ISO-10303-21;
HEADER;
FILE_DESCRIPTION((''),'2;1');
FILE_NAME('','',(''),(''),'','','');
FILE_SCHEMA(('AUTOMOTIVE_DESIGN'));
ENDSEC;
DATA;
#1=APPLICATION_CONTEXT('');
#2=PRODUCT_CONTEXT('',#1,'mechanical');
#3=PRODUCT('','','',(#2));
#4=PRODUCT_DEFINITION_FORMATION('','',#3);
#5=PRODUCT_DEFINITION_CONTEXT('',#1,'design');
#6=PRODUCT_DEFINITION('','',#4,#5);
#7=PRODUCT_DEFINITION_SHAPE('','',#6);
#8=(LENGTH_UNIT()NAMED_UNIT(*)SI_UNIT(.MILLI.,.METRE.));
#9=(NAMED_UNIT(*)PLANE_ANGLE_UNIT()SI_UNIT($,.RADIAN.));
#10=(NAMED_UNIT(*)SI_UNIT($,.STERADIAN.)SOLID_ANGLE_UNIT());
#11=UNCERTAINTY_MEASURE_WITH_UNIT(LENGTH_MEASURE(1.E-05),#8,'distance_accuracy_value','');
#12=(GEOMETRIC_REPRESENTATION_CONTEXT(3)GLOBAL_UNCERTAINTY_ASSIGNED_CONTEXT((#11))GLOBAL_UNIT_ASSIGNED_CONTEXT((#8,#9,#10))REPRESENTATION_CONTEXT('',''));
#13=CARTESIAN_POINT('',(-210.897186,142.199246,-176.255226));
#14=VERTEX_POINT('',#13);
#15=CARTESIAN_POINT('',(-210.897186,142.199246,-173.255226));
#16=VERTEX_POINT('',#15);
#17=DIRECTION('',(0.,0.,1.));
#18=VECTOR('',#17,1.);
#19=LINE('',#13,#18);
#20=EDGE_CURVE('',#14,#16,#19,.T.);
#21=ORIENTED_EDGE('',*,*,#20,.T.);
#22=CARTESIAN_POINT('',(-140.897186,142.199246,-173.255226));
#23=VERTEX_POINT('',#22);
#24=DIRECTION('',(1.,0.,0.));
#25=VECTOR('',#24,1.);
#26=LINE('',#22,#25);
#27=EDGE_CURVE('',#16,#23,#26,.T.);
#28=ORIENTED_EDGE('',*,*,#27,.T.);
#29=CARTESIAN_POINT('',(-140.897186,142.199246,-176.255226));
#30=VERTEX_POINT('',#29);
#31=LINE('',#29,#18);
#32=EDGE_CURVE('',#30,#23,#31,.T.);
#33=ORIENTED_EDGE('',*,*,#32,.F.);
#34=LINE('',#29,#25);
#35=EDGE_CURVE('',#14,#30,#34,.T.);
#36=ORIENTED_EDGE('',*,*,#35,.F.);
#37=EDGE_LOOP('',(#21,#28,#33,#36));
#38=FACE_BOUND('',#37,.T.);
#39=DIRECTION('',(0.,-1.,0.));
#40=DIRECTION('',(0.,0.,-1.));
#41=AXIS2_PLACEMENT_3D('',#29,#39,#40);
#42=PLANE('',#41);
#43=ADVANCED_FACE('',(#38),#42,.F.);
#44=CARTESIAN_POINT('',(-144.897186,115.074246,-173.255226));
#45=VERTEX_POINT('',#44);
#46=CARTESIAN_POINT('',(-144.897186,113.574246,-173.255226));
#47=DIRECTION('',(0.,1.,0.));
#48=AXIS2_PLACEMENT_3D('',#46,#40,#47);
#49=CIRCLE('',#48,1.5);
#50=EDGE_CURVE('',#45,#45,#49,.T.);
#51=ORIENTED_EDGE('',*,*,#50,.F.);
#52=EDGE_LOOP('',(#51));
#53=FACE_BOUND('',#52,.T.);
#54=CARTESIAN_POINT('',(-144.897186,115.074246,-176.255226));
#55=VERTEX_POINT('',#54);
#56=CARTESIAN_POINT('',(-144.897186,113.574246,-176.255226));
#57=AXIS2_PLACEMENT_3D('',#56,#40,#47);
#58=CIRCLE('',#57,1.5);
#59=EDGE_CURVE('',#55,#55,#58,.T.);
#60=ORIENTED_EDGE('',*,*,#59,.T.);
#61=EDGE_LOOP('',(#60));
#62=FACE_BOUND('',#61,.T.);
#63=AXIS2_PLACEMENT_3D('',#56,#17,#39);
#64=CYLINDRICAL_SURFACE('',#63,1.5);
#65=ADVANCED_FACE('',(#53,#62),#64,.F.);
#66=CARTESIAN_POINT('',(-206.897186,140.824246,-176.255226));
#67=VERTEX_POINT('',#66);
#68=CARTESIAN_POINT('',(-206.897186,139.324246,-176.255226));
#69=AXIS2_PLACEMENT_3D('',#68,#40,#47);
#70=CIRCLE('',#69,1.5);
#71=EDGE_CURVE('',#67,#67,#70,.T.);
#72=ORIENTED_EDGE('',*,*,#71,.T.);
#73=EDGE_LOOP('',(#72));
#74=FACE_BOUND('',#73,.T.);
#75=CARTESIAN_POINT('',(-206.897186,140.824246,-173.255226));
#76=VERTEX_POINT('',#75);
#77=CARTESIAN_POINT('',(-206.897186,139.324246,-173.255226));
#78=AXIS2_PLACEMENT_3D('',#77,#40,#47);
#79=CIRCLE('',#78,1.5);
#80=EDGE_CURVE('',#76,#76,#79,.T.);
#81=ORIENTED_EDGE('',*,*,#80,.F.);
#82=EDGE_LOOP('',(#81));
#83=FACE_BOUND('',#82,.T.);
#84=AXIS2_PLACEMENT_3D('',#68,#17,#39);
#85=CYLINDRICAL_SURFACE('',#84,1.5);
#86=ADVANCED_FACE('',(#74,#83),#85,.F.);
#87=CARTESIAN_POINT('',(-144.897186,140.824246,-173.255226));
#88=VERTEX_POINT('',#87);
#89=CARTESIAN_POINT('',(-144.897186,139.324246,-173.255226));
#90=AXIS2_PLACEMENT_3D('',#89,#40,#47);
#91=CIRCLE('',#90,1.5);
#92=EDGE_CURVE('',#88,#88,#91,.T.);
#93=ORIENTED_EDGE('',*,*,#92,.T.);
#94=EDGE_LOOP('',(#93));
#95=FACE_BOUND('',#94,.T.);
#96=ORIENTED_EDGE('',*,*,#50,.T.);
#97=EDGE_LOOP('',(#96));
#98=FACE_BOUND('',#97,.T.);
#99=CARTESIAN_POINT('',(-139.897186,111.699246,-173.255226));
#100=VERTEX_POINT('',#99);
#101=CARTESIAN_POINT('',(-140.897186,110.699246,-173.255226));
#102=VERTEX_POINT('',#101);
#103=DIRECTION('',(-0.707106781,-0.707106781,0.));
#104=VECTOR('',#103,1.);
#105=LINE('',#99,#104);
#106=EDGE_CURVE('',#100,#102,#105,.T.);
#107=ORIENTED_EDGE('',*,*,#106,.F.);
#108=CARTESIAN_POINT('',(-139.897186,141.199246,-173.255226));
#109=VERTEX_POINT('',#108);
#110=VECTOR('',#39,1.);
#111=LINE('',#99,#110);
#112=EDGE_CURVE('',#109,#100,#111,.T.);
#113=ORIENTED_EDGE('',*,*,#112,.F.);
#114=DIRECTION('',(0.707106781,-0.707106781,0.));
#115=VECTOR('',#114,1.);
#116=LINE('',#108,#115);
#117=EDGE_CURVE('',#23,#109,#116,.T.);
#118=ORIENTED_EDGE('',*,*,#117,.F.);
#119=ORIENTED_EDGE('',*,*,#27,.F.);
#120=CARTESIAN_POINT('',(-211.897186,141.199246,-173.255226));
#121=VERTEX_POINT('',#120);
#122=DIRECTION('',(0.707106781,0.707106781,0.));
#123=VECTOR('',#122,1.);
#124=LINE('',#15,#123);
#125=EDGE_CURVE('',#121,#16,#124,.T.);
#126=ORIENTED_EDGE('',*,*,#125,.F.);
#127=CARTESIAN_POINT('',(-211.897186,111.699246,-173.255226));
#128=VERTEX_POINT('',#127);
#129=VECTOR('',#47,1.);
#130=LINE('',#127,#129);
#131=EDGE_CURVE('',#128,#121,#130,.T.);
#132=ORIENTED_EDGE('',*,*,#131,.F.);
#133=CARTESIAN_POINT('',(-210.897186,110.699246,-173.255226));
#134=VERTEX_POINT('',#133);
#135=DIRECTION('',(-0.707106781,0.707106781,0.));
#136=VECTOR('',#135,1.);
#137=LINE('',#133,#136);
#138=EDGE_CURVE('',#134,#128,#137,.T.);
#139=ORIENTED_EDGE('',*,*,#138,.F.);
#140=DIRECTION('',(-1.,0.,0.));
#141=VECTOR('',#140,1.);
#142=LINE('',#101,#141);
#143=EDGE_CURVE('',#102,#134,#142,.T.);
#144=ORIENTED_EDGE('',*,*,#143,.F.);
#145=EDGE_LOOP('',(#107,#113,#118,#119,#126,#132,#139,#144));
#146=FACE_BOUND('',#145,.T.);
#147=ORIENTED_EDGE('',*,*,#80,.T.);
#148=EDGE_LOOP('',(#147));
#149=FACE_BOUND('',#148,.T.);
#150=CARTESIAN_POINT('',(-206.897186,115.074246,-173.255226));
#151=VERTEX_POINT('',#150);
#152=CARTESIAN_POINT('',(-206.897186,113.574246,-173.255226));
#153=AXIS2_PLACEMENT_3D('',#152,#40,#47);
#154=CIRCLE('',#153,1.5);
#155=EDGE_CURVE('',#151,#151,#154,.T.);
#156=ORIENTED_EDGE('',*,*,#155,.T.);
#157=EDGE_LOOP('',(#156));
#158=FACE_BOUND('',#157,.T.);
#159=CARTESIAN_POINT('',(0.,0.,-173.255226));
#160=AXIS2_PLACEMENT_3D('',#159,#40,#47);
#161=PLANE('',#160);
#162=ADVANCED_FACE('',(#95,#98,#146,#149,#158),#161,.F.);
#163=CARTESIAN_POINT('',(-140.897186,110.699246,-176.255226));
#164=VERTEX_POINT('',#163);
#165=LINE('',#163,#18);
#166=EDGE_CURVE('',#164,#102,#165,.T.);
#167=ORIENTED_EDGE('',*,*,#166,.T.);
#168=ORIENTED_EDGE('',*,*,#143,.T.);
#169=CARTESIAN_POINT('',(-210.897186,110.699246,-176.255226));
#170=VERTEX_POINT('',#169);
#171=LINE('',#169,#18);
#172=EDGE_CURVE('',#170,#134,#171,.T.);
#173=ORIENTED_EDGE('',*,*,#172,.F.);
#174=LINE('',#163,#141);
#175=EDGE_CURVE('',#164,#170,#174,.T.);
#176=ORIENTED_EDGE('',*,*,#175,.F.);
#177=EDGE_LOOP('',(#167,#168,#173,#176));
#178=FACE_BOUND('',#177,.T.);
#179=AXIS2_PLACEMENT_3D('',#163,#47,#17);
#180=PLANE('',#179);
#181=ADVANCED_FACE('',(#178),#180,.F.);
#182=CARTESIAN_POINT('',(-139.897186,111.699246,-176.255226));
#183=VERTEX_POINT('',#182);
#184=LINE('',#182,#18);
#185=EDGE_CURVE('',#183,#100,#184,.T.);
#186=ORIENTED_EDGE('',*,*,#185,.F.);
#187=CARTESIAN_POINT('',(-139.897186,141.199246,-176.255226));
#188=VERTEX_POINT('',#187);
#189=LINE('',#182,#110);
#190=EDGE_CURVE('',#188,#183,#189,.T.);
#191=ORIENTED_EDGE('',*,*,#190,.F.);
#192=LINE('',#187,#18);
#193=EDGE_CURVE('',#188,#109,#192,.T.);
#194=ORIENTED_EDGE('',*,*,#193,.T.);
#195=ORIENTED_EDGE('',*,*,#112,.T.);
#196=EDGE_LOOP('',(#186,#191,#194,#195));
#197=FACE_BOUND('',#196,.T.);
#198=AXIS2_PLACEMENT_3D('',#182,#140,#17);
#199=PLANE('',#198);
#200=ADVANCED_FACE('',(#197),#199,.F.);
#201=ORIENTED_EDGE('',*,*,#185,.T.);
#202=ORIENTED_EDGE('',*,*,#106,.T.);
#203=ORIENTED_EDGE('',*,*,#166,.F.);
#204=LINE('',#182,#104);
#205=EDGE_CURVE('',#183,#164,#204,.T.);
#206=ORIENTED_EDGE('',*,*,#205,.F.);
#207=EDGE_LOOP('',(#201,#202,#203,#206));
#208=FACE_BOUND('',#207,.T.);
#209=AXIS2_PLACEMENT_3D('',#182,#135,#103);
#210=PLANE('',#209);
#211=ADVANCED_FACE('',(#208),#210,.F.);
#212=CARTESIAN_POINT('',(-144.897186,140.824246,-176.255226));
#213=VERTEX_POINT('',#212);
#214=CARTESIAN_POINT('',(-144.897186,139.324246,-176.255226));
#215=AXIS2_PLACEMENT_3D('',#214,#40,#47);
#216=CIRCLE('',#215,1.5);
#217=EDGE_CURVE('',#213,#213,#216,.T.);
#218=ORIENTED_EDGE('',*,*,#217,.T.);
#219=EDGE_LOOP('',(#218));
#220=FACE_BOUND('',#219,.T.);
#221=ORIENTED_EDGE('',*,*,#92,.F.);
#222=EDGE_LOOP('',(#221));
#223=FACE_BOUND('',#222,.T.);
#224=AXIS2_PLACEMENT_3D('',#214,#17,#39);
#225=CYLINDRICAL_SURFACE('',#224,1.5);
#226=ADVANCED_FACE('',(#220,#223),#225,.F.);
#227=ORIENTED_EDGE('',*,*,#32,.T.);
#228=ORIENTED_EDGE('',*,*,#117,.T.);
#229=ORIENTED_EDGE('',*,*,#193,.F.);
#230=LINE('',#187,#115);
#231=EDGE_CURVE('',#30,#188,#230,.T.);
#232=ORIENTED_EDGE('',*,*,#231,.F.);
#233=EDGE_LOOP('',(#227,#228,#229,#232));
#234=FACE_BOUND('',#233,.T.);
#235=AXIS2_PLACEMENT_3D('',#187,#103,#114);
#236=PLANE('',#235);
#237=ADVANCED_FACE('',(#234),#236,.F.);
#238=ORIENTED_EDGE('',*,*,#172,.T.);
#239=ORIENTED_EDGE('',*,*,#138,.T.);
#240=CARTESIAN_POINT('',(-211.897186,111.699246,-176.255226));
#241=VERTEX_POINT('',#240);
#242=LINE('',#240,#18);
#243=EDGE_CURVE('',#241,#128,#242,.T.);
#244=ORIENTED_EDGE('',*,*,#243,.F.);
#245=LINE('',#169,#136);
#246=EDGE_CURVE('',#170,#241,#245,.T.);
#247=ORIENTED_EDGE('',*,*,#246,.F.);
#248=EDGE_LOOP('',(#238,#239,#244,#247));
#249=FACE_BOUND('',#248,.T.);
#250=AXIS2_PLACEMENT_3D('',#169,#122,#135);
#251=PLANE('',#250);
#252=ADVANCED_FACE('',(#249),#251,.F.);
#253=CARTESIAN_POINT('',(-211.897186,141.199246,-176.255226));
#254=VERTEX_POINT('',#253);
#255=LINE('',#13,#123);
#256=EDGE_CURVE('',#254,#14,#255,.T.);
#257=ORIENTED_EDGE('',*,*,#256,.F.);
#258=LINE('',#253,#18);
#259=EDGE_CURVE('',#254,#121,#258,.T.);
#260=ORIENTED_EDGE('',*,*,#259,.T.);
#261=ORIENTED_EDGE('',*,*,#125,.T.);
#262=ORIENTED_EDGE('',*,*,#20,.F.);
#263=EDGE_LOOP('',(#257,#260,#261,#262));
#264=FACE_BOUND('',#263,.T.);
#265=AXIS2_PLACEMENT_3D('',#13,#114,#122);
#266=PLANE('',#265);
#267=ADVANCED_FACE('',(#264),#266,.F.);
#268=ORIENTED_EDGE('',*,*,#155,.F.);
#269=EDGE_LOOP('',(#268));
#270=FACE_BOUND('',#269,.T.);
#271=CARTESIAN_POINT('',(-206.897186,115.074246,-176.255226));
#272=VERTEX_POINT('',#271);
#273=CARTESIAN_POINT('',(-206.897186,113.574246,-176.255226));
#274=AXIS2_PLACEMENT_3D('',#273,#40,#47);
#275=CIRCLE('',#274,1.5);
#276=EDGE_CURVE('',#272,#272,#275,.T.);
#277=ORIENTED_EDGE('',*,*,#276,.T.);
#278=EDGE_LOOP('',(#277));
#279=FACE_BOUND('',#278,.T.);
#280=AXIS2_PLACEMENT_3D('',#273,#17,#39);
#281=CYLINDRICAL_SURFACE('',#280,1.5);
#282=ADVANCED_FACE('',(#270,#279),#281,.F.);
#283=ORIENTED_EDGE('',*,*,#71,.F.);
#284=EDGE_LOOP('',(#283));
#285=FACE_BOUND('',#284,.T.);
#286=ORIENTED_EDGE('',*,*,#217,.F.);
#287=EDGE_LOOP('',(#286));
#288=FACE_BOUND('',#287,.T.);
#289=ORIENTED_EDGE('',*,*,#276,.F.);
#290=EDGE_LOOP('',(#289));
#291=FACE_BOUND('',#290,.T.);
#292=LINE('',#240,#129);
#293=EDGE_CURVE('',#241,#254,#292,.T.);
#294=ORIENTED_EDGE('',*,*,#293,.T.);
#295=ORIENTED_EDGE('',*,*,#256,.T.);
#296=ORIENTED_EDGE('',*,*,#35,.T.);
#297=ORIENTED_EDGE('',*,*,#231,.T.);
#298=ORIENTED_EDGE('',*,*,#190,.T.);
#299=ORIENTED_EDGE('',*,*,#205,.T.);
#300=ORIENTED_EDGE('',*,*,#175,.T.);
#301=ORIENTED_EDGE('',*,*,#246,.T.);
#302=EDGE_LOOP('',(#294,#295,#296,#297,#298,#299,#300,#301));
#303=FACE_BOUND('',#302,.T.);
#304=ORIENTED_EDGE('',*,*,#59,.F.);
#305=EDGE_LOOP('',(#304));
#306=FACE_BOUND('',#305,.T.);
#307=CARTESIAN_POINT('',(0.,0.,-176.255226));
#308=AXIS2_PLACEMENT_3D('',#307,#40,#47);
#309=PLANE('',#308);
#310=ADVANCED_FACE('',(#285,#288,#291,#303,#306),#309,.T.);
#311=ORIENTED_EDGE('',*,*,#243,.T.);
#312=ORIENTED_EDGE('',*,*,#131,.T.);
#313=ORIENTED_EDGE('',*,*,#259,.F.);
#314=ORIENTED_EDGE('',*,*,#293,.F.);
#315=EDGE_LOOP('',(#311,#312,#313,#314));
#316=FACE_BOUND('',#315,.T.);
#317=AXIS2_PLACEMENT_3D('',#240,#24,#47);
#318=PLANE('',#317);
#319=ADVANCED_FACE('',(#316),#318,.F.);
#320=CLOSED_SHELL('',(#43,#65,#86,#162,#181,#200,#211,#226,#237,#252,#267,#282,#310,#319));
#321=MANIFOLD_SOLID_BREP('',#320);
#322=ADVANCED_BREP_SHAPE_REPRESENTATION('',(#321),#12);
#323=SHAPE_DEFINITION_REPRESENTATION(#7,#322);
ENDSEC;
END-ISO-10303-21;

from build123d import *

# Parameters (mm, degrees)
SKETCH_1_R      = 1.5
EXTRUDE_1_DEPTH = 3


with BuildPart() as part:
    # 草图1 → 凸台-拉伸1 (new body)
    with BuildSketch(Plane(origin=(0, -1e-09, -173.255225947), x_dir=(-1, 0, 0), z_dir=(0, -6.574601973952099e-12, -1.0))):
        Polygon((140.897185772, 110.699246417), (210.897185773, 110.699246417), (211.897185773, 111.699246417), (211.897185773, 141.199246417), (210.897185773, 142.199246417), (140.897185772, 142.199246417), (139.897185772, 141.199246417), (139.897185772, 111.699246417), align=None)
        with Locations(Location((206.897185772, 139.324246417, 0), (0, 0, 90))):
            Circle(SKETCH_1_R, mode=Mode.SUBTRACT)
        with Locations(Location((206.897185773, 113.574246417, 0), (0, 0, 90))):
            Circle(SKETCH_1_R, mode=Mode.SUBTRACT)
        with Locations(Location((144.897185773, 113.574246415, 0), (0, 0, 90))):
            Circle(SKETCH_1_R, mode=Mode.SUBTRACT)
        with Locations(Location((144.897185772, 139.324246415, 0), (0, 0, 90))):
            Circle(SKETCH_1_R, mode=Mode.SUBTRACT)
    extrude(amount=EXTRUDE_1_DEPTH)


solid = part.part
